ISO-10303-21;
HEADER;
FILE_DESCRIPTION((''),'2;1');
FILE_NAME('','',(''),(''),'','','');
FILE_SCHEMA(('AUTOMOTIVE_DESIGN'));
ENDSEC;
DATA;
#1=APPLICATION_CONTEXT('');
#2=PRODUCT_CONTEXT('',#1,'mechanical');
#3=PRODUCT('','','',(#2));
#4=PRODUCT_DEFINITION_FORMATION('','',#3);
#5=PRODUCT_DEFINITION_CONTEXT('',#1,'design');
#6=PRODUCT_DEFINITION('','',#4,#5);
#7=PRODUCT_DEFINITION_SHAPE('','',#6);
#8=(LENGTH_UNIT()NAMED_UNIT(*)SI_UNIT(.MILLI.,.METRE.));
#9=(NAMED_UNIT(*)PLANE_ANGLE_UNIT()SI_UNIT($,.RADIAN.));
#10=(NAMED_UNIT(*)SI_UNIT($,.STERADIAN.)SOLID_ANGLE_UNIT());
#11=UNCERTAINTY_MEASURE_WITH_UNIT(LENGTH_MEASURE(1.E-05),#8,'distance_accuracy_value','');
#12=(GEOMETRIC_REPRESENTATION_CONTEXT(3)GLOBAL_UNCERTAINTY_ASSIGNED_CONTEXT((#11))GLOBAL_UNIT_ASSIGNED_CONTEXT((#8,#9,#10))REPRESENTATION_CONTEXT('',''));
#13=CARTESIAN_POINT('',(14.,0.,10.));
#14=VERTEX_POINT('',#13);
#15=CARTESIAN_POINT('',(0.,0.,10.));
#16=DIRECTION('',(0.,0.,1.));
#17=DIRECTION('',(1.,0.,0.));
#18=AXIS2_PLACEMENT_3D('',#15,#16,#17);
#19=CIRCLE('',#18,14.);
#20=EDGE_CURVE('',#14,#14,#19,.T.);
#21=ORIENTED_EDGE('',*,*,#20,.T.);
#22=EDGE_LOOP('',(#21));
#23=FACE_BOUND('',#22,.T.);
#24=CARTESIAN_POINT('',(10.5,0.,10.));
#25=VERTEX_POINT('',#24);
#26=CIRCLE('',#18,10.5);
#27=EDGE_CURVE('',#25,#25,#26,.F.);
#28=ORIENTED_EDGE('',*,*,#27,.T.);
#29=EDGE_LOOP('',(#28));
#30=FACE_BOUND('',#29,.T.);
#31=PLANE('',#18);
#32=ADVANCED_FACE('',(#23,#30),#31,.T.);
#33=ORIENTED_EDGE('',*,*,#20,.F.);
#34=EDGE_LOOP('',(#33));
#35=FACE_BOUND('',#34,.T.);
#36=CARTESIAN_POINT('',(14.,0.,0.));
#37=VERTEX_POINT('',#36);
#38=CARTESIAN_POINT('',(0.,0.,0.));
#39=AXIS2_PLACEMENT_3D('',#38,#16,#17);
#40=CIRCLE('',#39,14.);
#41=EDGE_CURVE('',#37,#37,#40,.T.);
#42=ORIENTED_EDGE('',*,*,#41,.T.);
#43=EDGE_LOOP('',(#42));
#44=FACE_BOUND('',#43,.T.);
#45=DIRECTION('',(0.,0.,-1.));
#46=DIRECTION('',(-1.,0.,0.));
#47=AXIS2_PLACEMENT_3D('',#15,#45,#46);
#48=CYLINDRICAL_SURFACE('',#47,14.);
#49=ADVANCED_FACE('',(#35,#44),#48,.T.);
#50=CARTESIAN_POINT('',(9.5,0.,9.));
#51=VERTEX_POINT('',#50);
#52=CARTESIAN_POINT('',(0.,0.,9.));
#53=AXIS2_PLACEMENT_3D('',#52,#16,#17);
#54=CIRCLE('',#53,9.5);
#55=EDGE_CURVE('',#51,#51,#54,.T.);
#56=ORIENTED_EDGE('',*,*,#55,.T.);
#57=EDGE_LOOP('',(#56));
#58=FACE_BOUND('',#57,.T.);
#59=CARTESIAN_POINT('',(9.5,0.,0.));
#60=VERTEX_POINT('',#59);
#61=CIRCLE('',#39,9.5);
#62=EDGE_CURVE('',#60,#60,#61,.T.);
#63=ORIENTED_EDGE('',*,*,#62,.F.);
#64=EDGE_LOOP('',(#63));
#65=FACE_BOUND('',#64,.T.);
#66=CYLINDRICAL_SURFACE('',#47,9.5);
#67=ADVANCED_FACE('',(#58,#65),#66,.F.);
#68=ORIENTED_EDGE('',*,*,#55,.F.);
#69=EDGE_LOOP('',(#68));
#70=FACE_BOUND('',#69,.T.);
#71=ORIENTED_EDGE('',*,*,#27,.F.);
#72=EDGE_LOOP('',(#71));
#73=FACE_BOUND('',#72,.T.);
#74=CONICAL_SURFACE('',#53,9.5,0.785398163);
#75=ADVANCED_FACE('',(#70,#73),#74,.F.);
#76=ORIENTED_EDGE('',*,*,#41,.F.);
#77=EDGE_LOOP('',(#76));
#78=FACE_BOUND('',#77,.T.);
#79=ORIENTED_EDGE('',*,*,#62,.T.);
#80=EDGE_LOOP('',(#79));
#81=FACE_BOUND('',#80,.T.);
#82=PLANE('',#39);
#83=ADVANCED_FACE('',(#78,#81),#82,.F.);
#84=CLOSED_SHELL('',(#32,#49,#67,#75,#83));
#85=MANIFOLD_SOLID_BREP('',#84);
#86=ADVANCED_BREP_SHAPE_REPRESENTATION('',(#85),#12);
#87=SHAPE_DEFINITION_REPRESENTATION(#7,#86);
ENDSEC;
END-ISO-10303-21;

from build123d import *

# Parameters (mm, degrees)
SKETCH1_R           = 14
SKETCH1_R_2         = 9.5
BOSS_EXTRUDE1_DEPTH = 10
CHAMFER1_SIZE       = 1


with BuildPart() as part:
    # Sketch1 → Boss-Extrude1 (new body)
    with BuildSketch(Plane.XY):
        Circle(SKETCH1_R)
        Circle(SKETCH1_R_2, mode=Mode.SUBTRACT)
    extrude(amount=BOSS_EXTRUDE1_DEPTH)

    # Chamfer1
    chamfer1_edges = [part.edges().sort_by_distance(p)[0] for p in [
        (-9.5, 0, 10),
    ]]
    chamfer(chamfer1_edges, length=CHAMFER1_SIZE)


solid = part.part
